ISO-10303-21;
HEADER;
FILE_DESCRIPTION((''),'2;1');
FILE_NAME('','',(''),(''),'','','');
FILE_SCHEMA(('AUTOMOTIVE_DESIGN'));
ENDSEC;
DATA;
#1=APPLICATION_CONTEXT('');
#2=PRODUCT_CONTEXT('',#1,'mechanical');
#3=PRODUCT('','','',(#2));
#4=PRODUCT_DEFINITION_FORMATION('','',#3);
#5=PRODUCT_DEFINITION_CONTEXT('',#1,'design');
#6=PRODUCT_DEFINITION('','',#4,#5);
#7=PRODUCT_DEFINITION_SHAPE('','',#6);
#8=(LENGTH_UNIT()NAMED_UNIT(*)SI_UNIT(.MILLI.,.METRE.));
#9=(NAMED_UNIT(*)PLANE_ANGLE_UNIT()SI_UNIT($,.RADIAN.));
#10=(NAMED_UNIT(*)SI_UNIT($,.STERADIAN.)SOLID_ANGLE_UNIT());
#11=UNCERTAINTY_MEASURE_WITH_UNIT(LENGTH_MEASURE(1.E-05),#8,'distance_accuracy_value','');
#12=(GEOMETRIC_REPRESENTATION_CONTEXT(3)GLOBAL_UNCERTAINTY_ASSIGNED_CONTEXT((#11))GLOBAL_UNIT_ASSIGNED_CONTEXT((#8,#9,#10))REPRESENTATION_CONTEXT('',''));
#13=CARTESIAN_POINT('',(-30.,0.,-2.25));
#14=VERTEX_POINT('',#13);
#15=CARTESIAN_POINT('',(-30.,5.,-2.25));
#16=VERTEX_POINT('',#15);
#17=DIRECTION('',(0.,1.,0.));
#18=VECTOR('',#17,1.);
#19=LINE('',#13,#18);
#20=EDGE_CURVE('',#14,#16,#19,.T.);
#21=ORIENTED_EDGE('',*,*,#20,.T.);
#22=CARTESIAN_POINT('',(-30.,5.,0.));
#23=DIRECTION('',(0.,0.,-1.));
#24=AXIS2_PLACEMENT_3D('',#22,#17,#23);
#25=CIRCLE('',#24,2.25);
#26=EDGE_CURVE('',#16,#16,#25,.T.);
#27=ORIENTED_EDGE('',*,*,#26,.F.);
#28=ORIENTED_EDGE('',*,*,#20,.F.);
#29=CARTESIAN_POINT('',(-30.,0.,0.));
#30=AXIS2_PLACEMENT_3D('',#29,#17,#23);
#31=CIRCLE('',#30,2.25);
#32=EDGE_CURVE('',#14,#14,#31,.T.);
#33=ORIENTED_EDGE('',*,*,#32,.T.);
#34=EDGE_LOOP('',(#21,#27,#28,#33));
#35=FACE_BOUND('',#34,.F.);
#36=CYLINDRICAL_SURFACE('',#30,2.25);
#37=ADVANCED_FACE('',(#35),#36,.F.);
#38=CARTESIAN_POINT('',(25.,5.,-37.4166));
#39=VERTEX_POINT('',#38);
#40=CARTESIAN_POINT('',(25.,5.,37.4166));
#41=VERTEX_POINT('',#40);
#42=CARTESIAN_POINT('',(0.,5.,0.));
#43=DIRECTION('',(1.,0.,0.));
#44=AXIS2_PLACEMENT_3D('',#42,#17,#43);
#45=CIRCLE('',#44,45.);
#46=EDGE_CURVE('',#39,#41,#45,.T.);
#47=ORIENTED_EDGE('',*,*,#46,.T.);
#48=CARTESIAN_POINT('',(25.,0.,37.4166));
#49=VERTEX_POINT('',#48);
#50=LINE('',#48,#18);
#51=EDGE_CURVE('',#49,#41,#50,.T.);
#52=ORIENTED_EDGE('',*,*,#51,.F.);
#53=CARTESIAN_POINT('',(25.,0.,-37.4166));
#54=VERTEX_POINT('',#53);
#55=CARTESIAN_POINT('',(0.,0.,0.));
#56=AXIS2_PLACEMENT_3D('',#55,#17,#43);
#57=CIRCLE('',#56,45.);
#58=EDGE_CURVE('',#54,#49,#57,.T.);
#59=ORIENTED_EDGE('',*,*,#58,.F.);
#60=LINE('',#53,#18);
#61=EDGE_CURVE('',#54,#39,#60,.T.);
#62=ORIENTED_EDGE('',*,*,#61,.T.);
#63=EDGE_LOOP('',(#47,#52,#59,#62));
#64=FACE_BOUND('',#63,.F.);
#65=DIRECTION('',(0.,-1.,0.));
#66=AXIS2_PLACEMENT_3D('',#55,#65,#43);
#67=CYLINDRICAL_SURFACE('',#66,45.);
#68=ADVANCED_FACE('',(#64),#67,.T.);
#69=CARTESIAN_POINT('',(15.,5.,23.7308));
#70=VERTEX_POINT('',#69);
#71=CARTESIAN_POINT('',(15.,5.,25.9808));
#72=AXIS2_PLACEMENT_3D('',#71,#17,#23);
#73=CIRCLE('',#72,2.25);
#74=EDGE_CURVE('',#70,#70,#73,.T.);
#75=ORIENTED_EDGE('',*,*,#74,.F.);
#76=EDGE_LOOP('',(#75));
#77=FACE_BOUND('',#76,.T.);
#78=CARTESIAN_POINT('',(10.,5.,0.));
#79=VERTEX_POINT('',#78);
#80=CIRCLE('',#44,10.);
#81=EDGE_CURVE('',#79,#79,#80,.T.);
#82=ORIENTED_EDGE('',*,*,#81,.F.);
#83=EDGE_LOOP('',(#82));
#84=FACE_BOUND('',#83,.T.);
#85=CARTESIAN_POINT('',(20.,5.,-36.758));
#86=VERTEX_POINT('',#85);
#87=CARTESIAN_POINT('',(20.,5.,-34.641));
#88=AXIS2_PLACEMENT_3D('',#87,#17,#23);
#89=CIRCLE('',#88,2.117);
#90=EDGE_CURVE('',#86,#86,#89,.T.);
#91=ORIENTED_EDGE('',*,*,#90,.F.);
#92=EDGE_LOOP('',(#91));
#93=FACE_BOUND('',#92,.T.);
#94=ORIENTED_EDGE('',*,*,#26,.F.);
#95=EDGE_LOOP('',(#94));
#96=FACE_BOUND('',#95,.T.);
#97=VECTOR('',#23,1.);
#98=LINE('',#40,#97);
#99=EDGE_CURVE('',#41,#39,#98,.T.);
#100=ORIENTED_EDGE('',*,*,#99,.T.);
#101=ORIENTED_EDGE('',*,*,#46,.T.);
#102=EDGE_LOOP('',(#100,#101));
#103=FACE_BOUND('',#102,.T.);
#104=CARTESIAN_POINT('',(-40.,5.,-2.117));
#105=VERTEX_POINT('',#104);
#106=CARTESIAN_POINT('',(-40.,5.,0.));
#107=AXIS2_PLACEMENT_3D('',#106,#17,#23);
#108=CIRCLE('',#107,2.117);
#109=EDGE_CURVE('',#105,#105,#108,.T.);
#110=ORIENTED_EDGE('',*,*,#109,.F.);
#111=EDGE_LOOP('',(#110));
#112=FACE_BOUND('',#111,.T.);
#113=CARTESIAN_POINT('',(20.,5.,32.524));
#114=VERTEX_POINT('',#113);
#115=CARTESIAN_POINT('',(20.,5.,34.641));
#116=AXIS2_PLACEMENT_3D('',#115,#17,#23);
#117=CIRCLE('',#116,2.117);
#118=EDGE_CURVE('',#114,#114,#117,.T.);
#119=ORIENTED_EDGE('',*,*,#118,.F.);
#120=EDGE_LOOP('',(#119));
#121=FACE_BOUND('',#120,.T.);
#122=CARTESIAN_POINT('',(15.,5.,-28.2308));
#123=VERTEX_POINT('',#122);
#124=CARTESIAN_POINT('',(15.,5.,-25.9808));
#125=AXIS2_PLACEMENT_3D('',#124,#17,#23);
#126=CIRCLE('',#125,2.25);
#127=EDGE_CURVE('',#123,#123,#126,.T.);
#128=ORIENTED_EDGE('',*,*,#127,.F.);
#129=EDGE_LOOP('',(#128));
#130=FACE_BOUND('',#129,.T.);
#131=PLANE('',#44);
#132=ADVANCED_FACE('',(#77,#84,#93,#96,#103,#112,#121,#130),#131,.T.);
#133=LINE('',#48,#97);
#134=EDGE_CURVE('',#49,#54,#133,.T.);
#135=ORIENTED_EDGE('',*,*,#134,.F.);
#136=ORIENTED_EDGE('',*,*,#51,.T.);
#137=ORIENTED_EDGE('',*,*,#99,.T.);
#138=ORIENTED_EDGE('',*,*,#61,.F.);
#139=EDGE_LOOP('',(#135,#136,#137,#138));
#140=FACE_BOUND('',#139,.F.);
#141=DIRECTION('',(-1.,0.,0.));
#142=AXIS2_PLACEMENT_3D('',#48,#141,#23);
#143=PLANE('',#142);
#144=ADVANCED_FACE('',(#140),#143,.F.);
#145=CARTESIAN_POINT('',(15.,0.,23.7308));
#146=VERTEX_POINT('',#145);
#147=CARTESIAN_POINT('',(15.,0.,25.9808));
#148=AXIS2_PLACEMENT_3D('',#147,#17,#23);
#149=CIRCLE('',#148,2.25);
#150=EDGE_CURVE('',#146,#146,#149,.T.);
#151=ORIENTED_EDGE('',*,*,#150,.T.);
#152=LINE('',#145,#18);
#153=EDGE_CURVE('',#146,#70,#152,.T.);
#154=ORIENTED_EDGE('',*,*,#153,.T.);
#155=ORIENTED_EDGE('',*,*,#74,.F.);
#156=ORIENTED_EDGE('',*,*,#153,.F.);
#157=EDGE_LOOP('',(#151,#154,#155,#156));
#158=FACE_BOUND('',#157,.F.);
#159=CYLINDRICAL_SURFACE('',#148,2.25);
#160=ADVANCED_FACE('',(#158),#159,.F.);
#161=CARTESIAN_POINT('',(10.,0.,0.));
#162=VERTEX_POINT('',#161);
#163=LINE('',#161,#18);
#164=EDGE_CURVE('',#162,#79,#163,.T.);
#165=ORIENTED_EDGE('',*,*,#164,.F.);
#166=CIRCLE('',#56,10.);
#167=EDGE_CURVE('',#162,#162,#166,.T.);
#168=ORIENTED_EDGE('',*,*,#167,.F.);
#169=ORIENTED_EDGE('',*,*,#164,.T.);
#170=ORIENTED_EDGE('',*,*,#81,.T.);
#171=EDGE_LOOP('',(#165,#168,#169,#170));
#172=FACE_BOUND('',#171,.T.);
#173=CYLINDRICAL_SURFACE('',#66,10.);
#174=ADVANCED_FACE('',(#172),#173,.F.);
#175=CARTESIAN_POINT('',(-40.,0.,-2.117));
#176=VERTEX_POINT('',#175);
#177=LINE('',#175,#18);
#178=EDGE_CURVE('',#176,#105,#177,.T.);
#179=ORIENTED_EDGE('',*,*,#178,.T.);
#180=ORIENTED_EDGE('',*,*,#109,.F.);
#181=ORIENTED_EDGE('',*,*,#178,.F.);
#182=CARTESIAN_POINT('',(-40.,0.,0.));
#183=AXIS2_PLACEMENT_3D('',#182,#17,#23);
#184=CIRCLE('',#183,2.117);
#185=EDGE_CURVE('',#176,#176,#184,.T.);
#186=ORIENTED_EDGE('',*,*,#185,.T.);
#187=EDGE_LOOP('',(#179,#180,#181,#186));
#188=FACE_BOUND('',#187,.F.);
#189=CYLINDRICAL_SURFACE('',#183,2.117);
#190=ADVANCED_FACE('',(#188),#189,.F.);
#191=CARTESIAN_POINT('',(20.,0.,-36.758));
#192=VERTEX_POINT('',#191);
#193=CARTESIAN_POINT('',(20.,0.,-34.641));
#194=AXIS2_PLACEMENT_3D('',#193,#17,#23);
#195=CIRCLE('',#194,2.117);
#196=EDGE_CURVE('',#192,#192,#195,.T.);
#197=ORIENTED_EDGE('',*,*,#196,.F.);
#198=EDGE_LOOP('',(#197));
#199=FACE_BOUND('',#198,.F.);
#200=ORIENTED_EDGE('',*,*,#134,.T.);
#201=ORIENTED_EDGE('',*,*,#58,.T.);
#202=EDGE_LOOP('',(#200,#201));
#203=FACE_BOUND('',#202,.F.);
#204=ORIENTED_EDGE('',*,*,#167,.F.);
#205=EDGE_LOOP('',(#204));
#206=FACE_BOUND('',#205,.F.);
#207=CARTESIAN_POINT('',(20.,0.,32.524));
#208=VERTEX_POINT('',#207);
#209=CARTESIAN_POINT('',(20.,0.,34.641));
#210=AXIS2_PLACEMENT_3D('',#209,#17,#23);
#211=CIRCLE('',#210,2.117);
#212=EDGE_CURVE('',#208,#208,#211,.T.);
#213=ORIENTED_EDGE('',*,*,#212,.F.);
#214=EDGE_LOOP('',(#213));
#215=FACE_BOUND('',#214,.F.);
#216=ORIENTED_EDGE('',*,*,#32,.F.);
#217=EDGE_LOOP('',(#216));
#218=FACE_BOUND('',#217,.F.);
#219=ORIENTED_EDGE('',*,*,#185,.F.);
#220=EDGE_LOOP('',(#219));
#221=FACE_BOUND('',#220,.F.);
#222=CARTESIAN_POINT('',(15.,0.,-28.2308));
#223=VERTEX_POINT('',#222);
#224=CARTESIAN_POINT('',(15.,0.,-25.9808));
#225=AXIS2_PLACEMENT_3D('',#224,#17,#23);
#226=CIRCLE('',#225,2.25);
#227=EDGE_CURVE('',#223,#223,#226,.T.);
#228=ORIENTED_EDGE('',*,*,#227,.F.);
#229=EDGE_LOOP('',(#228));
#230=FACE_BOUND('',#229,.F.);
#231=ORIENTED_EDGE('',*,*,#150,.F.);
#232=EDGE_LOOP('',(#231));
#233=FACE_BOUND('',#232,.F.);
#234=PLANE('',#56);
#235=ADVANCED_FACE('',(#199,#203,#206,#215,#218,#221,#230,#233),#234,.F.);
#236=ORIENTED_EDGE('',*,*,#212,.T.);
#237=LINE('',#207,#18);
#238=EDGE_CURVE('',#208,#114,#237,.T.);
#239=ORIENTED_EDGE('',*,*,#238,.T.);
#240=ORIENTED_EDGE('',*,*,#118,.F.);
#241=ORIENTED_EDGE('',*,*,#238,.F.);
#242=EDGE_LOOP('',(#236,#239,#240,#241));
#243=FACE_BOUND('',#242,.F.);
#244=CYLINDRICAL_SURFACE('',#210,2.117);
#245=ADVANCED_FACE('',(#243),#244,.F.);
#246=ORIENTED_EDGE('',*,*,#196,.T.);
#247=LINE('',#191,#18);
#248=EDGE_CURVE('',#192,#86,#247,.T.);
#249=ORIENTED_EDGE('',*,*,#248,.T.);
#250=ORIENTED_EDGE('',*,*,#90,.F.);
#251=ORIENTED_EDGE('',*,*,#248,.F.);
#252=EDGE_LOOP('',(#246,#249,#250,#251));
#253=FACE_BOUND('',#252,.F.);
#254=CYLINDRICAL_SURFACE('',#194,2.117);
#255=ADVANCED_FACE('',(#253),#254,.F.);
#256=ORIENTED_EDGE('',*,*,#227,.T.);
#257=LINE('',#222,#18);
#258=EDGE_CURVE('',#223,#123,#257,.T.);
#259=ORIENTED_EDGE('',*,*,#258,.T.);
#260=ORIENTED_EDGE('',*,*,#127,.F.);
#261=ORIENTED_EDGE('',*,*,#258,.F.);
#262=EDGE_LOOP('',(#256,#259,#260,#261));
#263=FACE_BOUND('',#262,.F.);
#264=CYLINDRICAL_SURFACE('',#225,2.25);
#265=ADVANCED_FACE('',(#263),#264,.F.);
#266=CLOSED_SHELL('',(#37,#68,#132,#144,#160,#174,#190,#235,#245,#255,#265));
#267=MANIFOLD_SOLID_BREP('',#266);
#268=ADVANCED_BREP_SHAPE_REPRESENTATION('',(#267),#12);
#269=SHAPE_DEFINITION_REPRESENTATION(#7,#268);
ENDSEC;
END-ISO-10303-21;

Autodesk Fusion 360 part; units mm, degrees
sketch "Sketch1" plane through (0, 0, 0) normal (0, 1, 0) x (1, 0, 0)
  circle A0 centre (0, 0) radius 50
  circle A1 centre (0, 0) radius 30 construction
  circle A2 centre (0, 0) radius 10
  circle A3 centre (0, 0) radius 45
  circle A4 centre (0, 0) radius 40 construction
  line L0 (25, -37.4166) -> (25, 37.4166)
  point P0 (-30, 0)
  point P1 (15, -25.9808)
  point P2 (15, 25.9808)
  point P3 (-40, 0)
  point P4 (20, -34.641)
  point P5 (20, 34.641)
  dimension "d1" = 100
  dimension "d2" = 60
  dimension "d3" = 20
  dimension "d4" = -5
  dimension "d6" = 360
  dimension "d14" = 80
  dimension "d18" = 5
extrude "Extrude1" add sketch "Sketch1" along normal blind 5 contours A3 L0 picked at (20, 0)
hole "Hole1" at (15, 0, 25.9808) at (15, 0, -25.9808) at (-30, 0, 0) direction (0, 1, 0) diameter 4.5 depth 7 tip angle 118
hole "Hole2" at (-40, 0, 0) at (20, 0, 34.641) at (20, 0, -34.641) direction (0, 1, 0) diameter 4.234 depth 25 tip angle 118
